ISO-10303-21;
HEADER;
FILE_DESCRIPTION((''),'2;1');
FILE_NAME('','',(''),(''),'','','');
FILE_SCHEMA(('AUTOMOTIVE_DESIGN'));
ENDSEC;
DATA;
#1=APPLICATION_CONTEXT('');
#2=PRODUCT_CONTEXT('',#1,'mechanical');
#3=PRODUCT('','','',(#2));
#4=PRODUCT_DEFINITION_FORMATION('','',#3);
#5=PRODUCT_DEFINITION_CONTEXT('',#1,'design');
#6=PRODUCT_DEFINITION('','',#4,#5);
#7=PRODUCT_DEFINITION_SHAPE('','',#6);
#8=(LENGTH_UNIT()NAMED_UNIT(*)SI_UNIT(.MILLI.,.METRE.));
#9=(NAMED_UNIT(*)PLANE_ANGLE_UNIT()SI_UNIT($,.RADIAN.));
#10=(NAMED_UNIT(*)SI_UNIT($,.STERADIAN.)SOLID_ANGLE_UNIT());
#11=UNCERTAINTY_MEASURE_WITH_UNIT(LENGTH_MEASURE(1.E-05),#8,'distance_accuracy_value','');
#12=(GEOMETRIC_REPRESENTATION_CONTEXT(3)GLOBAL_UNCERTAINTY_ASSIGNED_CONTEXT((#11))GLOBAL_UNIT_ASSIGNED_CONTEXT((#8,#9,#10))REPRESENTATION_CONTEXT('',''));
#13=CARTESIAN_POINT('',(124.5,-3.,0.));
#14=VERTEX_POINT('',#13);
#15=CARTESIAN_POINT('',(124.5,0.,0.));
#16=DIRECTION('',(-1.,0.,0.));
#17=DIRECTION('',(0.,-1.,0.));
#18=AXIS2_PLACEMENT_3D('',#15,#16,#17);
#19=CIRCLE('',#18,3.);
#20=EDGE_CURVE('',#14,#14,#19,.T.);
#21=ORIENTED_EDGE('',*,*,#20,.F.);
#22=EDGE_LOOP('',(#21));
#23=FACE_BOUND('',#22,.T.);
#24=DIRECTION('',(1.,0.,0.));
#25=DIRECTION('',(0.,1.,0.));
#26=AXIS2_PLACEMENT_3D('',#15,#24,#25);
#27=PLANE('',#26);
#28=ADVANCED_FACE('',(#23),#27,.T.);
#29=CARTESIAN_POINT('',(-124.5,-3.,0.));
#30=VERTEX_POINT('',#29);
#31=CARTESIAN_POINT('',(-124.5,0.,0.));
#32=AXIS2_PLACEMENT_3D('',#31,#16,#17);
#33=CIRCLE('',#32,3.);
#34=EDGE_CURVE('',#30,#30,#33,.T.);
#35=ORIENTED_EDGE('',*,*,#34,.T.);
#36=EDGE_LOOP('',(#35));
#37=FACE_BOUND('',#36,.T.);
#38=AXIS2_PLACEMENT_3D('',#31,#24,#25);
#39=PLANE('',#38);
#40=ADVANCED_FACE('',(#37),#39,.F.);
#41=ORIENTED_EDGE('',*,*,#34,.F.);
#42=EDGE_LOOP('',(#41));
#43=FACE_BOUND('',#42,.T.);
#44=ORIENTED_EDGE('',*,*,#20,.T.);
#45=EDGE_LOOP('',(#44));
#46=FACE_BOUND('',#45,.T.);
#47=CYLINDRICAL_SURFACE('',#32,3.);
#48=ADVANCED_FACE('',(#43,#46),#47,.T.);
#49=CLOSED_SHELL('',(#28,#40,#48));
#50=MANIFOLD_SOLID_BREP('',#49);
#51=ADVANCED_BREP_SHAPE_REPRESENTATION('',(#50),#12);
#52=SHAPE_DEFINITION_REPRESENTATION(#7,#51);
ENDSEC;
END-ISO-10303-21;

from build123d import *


with BuildPart() as part:
    # Sketch1 → Revolve2 (revolve)
    with BuildSketch(Plane.XY):
        Polygon((-124.5, 0), (124.5, 0), (124.5, 3), (0, 3), (-124.5, 3), align=None)
    revolve(axis=Axis((-124.5, 0, 0), (1, 0, 0)))


solid = part.part
